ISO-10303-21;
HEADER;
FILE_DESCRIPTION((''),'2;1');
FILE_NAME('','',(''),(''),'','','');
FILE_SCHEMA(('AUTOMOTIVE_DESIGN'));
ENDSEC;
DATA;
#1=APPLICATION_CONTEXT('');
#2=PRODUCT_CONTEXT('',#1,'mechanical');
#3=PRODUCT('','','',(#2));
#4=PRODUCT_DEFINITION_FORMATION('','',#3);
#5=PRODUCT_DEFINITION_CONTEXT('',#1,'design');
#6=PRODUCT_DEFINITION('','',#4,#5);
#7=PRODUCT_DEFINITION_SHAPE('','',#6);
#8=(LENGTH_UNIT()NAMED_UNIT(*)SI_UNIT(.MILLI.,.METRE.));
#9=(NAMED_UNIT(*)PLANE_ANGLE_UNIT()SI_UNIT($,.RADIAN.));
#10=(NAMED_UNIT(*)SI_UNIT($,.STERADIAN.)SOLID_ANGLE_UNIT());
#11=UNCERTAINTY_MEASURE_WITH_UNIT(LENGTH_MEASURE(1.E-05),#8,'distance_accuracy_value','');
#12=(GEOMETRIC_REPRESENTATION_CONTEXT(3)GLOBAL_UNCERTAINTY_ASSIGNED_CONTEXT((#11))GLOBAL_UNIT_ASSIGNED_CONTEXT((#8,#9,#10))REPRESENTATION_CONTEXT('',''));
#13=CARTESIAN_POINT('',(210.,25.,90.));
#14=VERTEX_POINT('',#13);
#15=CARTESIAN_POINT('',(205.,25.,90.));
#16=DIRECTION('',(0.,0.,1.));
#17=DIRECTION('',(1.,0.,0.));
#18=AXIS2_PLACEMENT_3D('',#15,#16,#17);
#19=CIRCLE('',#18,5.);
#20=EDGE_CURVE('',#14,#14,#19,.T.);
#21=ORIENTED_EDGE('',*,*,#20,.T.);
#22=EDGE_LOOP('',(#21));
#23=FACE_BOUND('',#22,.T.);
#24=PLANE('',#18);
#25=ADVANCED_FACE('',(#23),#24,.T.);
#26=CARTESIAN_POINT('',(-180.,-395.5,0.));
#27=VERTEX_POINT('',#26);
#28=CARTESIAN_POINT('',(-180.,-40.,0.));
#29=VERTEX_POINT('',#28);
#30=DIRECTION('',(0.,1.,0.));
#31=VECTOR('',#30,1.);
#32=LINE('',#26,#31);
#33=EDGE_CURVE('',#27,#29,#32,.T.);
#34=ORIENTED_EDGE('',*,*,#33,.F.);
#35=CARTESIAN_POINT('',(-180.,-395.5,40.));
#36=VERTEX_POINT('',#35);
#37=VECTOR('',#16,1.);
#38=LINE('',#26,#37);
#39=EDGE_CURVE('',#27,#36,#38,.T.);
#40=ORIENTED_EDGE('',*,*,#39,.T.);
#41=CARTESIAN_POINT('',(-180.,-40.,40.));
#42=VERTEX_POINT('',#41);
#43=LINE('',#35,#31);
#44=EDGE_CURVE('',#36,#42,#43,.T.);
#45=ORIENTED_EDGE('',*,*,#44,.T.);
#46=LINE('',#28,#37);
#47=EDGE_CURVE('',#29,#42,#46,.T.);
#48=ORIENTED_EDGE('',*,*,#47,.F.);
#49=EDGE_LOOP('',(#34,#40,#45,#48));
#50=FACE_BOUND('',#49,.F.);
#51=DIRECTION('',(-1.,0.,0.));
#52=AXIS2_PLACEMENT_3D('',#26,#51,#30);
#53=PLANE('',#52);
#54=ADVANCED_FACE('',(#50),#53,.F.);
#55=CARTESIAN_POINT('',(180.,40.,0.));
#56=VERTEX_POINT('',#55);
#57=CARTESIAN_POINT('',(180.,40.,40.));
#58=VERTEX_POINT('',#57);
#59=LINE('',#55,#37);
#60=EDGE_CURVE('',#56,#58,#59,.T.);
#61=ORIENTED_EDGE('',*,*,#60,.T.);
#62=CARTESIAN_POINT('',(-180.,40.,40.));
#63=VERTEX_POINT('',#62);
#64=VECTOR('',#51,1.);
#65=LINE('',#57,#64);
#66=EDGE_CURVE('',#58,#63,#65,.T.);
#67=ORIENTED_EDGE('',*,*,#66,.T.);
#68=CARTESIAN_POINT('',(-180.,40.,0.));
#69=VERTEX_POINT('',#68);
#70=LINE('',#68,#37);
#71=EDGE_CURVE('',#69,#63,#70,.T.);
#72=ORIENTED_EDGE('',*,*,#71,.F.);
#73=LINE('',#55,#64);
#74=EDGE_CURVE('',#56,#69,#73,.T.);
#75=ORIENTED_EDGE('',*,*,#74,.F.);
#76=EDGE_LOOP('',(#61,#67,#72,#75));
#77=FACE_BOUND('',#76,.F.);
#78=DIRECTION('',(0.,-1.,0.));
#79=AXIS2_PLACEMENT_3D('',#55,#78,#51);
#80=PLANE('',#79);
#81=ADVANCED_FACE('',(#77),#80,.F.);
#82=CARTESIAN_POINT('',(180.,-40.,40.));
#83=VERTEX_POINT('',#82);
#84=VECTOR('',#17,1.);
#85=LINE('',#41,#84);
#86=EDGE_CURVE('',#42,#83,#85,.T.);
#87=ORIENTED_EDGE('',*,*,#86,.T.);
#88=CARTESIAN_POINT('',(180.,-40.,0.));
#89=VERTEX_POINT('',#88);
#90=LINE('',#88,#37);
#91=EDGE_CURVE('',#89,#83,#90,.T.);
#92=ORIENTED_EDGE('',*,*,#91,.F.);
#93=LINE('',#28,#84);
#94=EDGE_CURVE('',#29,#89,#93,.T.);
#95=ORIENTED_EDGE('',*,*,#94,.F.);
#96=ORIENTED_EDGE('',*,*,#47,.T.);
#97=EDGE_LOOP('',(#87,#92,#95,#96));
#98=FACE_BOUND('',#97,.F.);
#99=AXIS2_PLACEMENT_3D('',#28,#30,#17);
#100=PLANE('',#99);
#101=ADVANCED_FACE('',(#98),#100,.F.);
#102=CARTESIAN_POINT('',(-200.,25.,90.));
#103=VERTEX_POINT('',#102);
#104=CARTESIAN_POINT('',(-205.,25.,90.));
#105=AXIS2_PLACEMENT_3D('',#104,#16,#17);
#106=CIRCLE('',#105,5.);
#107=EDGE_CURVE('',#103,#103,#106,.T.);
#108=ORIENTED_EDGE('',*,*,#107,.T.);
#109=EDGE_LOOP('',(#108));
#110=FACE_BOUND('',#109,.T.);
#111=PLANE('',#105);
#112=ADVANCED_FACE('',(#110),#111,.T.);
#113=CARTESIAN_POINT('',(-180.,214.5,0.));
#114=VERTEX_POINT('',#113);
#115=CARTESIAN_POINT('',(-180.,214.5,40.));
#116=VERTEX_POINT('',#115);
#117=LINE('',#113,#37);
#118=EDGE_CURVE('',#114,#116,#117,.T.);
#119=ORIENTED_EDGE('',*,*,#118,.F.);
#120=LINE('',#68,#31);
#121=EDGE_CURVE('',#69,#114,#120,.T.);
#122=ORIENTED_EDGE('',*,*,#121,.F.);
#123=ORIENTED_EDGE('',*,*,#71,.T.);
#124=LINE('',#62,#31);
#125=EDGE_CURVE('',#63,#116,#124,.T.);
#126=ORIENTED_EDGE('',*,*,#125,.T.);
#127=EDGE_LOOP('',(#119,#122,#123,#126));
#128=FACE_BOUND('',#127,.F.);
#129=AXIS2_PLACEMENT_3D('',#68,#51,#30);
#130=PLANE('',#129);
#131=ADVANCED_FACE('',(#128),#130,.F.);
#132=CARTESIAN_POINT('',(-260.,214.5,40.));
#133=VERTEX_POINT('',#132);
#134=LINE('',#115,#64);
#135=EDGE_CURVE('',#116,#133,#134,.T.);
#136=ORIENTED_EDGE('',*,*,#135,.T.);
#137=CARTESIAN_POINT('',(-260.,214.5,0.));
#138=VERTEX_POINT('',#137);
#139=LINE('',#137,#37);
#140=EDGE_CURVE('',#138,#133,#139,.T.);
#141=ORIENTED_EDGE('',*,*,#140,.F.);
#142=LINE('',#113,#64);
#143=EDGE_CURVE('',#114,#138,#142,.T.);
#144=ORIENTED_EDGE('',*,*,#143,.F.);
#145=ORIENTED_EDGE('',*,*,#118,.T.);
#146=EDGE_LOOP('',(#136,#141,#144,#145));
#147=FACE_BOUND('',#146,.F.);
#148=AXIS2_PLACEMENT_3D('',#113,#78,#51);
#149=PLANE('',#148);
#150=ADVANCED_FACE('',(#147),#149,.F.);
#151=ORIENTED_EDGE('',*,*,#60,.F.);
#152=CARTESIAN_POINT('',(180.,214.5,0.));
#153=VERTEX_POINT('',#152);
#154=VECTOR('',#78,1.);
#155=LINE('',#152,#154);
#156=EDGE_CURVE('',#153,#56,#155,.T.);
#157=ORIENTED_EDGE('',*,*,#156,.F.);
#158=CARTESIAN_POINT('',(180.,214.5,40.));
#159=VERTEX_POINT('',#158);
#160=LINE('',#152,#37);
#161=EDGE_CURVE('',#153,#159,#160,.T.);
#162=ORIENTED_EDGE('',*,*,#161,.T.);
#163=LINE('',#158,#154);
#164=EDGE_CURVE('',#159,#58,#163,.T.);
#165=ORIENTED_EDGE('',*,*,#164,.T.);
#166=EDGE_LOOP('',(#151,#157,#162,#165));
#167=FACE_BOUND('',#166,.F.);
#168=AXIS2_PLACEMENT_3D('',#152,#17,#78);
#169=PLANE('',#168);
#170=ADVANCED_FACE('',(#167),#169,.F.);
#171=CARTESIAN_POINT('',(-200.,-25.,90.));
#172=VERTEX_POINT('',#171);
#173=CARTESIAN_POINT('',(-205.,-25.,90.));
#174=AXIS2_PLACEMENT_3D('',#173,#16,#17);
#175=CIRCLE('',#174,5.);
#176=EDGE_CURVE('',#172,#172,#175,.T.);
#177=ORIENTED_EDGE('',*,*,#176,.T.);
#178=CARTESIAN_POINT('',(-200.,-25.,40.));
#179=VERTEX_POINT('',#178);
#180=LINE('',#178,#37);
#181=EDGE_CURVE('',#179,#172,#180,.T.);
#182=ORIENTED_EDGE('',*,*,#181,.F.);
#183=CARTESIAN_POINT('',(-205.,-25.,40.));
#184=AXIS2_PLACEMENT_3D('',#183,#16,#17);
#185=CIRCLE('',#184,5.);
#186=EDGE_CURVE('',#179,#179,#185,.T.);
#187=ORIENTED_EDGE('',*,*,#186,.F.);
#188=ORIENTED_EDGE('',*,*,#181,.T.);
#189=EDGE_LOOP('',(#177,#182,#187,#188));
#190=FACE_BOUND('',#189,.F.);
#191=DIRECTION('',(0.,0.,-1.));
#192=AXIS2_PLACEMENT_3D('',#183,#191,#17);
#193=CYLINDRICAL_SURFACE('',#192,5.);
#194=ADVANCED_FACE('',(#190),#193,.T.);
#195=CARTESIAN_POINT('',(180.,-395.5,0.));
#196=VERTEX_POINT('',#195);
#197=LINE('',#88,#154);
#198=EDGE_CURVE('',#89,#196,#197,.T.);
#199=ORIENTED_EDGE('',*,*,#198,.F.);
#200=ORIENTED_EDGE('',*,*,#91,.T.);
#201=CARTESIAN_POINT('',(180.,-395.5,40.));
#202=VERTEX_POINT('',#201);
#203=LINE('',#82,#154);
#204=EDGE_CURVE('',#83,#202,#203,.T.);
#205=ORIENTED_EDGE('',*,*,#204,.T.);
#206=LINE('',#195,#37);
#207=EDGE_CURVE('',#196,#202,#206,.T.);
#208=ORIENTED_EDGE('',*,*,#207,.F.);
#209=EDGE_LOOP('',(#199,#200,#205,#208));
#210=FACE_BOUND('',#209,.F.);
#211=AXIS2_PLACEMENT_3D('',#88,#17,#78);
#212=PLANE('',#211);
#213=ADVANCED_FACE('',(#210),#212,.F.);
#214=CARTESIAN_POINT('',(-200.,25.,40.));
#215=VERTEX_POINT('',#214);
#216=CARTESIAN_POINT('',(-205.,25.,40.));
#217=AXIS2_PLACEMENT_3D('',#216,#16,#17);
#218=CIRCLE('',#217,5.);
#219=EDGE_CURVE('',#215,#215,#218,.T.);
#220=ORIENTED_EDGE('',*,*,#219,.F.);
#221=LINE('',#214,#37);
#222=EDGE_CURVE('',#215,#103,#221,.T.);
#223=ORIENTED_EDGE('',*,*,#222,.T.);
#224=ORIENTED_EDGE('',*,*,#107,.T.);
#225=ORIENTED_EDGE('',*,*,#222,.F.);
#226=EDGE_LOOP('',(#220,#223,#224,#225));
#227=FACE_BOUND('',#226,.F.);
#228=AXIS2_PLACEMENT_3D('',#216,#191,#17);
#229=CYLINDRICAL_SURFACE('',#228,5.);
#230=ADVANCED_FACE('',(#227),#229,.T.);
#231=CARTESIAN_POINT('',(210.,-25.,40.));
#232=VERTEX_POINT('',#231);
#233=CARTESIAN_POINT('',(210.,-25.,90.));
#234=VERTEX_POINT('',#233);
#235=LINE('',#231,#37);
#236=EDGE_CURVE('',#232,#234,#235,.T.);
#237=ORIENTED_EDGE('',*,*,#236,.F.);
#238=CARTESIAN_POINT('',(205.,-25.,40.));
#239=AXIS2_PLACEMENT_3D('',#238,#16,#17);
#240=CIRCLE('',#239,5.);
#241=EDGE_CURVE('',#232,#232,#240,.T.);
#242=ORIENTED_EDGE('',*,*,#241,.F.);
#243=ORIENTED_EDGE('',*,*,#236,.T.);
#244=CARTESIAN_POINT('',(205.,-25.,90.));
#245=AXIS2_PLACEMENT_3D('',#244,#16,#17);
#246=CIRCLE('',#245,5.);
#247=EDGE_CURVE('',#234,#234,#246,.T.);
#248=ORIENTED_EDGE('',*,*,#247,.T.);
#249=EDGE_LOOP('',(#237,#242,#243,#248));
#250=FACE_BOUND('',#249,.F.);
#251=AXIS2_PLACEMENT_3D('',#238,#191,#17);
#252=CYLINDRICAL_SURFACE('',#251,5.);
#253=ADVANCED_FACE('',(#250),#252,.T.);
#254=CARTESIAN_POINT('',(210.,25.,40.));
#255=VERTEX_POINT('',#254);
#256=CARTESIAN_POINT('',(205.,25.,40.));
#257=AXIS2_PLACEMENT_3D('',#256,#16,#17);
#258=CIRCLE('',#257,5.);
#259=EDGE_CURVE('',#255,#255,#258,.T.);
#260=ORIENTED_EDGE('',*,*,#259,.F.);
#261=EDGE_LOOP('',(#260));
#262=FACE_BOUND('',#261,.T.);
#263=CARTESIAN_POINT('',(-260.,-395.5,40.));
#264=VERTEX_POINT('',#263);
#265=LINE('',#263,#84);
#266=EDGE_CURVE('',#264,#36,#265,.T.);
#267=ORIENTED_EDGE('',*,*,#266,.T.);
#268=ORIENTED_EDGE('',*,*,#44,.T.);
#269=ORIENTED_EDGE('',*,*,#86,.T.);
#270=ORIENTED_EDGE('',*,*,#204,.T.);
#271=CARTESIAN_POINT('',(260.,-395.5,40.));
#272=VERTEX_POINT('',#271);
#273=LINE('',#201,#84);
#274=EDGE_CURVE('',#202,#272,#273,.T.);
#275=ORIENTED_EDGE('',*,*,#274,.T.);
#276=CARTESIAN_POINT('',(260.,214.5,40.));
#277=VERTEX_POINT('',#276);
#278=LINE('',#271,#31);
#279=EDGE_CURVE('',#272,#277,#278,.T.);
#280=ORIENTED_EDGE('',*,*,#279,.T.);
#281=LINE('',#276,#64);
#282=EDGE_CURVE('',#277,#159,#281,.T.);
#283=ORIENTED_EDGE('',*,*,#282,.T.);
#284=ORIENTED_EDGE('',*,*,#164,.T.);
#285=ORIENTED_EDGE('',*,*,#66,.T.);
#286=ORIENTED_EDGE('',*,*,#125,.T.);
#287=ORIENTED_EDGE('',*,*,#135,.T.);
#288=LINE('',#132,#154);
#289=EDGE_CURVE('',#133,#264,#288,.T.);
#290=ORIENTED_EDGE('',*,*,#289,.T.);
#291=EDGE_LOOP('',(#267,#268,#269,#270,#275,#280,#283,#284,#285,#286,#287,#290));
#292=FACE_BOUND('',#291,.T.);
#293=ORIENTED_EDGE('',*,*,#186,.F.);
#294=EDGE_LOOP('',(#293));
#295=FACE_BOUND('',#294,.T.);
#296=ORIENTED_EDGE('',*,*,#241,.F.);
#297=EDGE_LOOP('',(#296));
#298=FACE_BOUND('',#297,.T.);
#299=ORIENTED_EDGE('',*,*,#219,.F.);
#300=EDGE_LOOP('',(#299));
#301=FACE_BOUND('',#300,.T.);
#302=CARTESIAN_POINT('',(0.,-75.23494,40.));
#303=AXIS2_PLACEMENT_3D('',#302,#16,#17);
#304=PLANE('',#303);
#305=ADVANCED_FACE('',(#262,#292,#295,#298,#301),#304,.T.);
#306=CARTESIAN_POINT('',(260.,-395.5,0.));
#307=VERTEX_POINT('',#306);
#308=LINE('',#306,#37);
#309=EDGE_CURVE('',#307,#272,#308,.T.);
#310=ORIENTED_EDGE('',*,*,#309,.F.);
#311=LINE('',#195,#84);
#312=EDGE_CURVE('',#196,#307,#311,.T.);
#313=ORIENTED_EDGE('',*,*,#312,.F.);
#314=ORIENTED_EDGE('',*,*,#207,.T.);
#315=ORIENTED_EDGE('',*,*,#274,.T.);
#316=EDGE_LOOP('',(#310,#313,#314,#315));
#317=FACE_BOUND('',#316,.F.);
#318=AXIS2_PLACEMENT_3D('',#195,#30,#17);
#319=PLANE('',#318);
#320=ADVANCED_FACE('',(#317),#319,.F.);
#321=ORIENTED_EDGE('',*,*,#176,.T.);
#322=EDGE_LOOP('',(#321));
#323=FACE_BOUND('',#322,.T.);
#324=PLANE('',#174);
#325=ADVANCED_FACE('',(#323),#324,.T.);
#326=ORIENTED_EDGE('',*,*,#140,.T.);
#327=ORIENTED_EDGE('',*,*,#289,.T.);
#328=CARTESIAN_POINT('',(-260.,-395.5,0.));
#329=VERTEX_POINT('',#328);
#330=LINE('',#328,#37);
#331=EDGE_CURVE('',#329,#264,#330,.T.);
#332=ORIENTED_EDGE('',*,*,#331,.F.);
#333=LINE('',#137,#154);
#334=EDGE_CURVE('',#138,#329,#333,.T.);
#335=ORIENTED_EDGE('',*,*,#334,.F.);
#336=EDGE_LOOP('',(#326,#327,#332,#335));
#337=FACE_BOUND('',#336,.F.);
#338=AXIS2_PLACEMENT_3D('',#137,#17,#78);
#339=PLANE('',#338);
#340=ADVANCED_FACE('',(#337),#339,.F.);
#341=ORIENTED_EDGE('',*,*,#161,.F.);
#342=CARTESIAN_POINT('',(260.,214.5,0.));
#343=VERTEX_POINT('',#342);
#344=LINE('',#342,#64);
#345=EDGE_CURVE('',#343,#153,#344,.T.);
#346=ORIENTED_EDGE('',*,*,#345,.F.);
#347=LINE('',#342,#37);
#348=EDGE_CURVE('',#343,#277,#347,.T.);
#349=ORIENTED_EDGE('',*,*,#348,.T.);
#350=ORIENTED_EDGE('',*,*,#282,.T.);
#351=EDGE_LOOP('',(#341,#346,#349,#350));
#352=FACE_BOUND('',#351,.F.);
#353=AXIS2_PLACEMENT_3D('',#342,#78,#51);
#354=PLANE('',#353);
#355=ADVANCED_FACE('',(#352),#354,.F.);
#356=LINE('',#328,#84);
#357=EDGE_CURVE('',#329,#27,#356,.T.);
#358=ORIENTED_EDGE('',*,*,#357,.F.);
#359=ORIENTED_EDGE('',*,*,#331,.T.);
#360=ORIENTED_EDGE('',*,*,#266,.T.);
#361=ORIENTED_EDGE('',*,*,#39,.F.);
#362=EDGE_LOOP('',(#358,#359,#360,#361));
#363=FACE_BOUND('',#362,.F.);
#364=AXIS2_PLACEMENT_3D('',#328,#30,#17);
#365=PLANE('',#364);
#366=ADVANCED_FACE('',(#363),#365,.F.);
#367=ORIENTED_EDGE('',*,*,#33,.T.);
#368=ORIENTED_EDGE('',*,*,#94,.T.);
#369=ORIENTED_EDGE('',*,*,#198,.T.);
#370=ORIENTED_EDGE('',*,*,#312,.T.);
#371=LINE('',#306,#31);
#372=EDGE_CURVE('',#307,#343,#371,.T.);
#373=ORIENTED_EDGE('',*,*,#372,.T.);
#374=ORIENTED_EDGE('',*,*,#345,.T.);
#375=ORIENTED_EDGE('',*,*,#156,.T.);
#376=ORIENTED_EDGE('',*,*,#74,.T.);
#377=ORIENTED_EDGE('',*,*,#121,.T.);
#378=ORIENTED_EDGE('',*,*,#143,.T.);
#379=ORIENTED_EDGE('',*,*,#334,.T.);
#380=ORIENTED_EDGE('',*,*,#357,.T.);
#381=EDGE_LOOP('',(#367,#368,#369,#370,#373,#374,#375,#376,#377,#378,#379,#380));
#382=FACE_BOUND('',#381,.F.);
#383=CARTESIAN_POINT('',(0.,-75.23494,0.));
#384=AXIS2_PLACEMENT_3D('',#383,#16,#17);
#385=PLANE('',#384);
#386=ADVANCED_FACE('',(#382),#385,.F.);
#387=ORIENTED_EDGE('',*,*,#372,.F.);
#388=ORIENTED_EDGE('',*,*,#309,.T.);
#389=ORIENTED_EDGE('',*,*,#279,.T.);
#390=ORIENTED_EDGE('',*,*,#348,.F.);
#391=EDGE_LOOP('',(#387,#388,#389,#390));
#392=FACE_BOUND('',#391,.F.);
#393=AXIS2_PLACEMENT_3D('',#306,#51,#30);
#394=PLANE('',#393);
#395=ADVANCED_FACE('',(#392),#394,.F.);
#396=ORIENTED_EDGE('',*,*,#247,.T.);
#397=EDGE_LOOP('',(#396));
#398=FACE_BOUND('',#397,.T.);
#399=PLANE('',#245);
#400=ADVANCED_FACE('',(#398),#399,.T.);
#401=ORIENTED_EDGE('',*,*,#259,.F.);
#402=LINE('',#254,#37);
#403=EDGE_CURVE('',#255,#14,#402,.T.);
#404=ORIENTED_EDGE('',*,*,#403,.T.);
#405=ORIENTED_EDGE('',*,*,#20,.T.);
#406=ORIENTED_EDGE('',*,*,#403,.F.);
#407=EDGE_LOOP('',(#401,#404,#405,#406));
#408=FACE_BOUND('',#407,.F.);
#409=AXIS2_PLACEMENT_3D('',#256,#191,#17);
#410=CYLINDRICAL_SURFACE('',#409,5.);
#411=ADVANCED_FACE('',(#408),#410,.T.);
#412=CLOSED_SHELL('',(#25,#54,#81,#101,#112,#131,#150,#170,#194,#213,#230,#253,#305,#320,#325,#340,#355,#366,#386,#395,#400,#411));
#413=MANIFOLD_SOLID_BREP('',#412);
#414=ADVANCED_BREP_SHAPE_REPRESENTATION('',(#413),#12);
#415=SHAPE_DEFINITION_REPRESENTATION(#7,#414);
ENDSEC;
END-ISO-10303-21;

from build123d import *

# Parameters (mm, degrees)
F1_DEPTH = 40
F2_R     = 5
F3_DEPTH = 50


with BuildPart() as f1:
    # F0 (on Top) → F1 (new body)
    with BuildSketch(Plane.XY):
        Polygon((-180, 214.5), (-260, 214.5), (-260, -395.5), (-180, -395.5), (-180, -40), (180, -40), (180, -395.5), (260, -395.5), (260, 214.5), (180, 214.5), (180, 40), (-180, 40), align=None)
    extrude(amount=F1_DEPTH)

    # F2 (on face) → F3 (join)
    with BuildSketch(Plane.XY.offset(40)):
        with Locations((-205, 25)):
            Circle(F2_R)
        with Locations((-205, -25)):
            Circle(F2_R)
        with Locations((205, 25)):
            Circle(F2_R)
        with Locations((205, -25)):
            Circle(F2_R)
    extrude(amount=F3_DEPTH)


solid = f1.part
